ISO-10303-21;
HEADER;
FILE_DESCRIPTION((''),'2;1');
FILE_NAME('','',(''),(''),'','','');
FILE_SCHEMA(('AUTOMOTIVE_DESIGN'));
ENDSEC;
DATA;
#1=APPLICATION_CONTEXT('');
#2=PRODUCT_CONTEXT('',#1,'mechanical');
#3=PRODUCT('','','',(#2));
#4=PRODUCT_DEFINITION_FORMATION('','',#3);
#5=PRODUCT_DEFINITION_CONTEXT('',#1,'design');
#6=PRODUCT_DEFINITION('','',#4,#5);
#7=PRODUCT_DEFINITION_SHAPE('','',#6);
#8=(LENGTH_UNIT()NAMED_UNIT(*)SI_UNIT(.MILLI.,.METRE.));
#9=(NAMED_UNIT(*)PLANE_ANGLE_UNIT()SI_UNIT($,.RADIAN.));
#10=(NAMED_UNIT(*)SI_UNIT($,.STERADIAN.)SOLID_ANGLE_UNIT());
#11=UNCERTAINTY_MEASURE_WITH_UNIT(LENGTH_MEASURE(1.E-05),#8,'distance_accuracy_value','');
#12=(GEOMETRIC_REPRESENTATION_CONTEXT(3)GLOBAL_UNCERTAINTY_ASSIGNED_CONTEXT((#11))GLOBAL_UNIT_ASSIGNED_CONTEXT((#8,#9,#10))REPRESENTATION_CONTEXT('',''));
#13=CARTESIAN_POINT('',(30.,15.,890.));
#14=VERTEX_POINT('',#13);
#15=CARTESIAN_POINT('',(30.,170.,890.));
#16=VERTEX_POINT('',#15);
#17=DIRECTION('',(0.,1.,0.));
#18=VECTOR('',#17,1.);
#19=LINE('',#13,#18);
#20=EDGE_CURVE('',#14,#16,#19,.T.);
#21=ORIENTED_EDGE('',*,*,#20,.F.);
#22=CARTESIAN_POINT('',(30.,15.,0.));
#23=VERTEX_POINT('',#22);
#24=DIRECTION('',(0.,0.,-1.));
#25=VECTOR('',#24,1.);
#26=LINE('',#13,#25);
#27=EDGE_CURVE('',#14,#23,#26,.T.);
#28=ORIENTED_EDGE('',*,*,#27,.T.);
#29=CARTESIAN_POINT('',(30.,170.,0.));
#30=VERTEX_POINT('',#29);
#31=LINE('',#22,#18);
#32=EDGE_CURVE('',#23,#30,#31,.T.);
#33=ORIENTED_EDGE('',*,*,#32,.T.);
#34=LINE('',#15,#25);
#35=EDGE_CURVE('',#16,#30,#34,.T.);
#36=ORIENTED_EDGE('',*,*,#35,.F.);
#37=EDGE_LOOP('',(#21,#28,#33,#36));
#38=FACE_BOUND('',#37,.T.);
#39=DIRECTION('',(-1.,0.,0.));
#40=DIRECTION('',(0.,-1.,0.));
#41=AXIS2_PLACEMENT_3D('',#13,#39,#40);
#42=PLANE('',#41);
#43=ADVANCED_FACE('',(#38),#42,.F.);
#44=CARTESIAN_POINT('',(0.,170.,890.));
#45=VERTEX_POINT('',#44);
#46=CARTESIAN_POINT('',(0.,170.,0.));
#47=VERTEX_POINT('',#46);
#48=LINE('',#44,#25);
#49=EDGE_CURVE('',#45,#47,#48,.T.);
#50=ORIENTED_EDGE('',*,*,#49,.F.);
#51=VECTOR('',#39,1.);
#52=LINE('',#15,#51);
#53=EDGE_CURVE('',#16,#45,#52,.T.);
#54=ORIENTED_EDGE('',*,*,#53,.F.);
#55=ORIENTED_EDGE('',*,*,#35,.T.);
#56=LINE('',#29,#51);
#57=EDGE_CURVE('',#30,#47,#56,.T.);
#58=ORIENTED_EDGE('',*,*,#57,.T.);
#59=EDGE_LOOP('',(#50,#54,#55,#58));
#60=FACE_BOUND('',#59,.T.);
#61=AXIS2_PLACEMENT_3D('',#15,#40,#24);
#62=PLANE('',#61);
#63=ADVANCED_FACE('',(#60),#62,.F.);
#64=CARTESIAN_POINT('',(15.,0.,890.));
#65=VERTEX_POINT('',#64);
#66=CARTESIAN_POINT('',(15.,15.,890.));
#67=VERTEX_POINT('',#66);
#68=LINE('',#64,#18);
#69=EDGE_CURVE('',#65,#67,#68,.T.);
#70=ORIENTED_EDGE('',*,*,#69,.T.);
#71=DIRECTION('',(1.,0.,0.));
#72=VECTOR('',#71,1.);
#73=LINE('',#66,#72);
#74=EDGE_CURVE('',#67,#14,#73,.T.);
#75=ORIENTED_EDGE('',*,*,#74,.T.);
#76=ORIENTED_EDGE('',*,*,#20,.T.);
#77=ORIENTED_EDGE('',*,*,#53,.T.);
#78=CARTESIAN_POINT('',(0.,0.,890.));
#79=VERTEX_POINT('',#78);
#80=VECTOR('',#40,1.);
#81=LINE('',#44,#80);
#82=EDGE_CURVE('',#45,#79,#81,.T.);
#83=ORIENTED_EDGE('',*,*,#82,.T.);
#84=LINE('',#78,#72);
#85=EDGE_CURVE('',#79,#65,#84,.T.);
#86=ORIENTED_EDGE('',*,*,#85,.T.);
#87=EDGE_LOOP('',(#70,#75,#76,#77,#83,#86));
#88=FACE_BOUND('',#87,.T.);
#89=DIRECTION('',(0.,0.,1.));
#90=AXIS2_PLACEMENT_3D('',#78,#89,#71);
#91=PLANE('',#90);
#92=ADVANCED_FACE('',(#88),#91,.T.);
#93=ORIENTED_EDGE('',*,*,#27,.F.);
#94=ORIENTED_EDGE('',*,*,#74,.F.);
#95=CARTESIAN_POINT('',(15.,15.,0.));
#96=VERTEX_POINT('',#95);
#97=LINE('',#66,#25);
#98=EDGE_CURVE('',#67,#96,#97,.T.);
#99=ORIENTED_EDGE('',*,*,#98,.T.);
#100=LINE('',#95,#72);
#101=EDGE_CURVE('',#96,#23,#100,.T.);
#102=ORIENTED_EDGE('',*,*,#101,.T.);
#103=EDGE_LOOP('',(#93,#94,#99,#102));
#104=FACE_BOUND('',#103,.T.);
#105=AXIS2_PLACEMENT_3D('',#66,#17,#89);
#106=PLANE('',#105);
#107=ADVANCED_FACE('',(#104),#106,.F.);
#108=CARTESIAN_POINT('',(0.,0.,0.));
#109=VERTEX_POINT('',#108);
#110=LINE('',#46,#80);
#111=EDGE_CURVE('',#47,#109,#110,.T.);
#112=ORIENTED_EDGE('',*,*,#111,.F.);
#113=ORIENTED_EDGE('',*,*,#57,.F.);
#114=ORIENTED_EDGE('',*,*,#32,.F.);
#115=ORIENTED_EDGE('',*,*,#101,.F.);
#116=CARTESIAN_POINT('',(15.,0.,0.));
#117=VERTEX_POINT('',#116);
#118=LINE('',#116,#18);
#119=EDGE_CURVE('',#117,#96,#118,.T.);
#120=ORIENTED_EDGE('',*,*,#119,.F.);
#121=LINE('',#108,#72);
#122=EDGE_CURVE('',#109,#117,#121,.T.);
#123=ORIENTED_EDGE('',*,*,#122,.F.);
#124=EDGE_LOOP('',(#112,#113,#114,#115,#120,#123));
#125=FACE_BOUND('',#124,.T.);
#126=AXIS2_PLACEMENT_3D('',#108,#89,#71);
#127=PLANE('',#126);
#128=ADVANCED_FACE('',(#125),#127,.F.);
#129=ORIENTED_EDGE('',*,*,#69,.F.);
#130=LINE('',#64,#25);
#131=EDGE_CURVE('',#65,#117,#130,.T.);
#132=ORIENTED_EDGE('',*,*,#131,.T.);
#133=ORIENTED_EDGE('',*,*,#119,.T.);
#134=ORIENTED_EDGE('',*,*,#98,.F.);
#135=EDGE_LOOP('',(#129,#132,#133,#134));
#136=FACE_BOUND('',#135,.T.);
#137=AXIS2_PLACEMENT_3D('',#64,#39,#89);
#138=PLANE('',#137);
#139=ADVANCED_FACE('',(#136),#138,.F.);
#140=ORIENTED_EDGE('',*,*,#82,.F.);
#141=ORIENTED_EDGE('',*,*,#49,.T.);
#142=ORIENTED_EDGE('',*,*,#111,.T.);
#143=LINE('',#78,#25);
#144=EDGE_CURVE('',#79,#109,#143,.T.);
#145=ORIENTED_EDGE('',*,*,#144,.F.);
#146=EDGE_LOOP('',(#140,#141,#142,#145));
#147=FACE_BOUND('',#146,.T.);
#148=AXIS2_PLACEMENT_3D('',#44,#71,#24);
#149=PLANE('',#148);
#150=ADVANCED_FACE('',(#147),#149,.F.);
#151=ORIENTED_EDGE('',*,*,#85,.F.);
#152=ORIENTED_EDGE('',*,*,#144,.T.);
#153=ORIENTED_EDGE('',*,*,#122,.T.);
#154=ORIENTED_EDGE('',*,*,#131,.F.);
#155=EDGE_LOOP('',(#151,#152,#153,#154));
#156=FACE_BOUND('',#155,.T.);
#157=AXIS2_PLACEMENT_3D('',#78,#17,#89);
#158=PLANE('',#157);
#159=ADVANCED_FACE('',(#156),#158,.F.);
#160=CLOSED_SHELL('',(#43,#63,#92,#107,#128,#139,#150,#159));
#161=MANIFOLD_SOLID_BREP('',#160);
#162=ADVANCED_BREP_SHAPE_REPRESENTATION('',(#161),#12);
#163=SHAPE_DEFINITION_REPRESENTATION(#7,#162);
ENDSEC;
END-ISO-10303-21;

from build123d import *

# Parameters (mm, degrees)
EXTRUDE_1_DEPTH = 890


with BuildPart() as part:
    # Эскиз1 → Бобышка-Вытянуть1 (new body)
    with BuildSketch(Plane.XY):
        Polygon((0, 0), (15, 0), (15, 15), (30, 15), (30, 170), (0, 170), align=None)
    extrude(amount=EXTRUDE_1_DEPTH)


solid = part.part
